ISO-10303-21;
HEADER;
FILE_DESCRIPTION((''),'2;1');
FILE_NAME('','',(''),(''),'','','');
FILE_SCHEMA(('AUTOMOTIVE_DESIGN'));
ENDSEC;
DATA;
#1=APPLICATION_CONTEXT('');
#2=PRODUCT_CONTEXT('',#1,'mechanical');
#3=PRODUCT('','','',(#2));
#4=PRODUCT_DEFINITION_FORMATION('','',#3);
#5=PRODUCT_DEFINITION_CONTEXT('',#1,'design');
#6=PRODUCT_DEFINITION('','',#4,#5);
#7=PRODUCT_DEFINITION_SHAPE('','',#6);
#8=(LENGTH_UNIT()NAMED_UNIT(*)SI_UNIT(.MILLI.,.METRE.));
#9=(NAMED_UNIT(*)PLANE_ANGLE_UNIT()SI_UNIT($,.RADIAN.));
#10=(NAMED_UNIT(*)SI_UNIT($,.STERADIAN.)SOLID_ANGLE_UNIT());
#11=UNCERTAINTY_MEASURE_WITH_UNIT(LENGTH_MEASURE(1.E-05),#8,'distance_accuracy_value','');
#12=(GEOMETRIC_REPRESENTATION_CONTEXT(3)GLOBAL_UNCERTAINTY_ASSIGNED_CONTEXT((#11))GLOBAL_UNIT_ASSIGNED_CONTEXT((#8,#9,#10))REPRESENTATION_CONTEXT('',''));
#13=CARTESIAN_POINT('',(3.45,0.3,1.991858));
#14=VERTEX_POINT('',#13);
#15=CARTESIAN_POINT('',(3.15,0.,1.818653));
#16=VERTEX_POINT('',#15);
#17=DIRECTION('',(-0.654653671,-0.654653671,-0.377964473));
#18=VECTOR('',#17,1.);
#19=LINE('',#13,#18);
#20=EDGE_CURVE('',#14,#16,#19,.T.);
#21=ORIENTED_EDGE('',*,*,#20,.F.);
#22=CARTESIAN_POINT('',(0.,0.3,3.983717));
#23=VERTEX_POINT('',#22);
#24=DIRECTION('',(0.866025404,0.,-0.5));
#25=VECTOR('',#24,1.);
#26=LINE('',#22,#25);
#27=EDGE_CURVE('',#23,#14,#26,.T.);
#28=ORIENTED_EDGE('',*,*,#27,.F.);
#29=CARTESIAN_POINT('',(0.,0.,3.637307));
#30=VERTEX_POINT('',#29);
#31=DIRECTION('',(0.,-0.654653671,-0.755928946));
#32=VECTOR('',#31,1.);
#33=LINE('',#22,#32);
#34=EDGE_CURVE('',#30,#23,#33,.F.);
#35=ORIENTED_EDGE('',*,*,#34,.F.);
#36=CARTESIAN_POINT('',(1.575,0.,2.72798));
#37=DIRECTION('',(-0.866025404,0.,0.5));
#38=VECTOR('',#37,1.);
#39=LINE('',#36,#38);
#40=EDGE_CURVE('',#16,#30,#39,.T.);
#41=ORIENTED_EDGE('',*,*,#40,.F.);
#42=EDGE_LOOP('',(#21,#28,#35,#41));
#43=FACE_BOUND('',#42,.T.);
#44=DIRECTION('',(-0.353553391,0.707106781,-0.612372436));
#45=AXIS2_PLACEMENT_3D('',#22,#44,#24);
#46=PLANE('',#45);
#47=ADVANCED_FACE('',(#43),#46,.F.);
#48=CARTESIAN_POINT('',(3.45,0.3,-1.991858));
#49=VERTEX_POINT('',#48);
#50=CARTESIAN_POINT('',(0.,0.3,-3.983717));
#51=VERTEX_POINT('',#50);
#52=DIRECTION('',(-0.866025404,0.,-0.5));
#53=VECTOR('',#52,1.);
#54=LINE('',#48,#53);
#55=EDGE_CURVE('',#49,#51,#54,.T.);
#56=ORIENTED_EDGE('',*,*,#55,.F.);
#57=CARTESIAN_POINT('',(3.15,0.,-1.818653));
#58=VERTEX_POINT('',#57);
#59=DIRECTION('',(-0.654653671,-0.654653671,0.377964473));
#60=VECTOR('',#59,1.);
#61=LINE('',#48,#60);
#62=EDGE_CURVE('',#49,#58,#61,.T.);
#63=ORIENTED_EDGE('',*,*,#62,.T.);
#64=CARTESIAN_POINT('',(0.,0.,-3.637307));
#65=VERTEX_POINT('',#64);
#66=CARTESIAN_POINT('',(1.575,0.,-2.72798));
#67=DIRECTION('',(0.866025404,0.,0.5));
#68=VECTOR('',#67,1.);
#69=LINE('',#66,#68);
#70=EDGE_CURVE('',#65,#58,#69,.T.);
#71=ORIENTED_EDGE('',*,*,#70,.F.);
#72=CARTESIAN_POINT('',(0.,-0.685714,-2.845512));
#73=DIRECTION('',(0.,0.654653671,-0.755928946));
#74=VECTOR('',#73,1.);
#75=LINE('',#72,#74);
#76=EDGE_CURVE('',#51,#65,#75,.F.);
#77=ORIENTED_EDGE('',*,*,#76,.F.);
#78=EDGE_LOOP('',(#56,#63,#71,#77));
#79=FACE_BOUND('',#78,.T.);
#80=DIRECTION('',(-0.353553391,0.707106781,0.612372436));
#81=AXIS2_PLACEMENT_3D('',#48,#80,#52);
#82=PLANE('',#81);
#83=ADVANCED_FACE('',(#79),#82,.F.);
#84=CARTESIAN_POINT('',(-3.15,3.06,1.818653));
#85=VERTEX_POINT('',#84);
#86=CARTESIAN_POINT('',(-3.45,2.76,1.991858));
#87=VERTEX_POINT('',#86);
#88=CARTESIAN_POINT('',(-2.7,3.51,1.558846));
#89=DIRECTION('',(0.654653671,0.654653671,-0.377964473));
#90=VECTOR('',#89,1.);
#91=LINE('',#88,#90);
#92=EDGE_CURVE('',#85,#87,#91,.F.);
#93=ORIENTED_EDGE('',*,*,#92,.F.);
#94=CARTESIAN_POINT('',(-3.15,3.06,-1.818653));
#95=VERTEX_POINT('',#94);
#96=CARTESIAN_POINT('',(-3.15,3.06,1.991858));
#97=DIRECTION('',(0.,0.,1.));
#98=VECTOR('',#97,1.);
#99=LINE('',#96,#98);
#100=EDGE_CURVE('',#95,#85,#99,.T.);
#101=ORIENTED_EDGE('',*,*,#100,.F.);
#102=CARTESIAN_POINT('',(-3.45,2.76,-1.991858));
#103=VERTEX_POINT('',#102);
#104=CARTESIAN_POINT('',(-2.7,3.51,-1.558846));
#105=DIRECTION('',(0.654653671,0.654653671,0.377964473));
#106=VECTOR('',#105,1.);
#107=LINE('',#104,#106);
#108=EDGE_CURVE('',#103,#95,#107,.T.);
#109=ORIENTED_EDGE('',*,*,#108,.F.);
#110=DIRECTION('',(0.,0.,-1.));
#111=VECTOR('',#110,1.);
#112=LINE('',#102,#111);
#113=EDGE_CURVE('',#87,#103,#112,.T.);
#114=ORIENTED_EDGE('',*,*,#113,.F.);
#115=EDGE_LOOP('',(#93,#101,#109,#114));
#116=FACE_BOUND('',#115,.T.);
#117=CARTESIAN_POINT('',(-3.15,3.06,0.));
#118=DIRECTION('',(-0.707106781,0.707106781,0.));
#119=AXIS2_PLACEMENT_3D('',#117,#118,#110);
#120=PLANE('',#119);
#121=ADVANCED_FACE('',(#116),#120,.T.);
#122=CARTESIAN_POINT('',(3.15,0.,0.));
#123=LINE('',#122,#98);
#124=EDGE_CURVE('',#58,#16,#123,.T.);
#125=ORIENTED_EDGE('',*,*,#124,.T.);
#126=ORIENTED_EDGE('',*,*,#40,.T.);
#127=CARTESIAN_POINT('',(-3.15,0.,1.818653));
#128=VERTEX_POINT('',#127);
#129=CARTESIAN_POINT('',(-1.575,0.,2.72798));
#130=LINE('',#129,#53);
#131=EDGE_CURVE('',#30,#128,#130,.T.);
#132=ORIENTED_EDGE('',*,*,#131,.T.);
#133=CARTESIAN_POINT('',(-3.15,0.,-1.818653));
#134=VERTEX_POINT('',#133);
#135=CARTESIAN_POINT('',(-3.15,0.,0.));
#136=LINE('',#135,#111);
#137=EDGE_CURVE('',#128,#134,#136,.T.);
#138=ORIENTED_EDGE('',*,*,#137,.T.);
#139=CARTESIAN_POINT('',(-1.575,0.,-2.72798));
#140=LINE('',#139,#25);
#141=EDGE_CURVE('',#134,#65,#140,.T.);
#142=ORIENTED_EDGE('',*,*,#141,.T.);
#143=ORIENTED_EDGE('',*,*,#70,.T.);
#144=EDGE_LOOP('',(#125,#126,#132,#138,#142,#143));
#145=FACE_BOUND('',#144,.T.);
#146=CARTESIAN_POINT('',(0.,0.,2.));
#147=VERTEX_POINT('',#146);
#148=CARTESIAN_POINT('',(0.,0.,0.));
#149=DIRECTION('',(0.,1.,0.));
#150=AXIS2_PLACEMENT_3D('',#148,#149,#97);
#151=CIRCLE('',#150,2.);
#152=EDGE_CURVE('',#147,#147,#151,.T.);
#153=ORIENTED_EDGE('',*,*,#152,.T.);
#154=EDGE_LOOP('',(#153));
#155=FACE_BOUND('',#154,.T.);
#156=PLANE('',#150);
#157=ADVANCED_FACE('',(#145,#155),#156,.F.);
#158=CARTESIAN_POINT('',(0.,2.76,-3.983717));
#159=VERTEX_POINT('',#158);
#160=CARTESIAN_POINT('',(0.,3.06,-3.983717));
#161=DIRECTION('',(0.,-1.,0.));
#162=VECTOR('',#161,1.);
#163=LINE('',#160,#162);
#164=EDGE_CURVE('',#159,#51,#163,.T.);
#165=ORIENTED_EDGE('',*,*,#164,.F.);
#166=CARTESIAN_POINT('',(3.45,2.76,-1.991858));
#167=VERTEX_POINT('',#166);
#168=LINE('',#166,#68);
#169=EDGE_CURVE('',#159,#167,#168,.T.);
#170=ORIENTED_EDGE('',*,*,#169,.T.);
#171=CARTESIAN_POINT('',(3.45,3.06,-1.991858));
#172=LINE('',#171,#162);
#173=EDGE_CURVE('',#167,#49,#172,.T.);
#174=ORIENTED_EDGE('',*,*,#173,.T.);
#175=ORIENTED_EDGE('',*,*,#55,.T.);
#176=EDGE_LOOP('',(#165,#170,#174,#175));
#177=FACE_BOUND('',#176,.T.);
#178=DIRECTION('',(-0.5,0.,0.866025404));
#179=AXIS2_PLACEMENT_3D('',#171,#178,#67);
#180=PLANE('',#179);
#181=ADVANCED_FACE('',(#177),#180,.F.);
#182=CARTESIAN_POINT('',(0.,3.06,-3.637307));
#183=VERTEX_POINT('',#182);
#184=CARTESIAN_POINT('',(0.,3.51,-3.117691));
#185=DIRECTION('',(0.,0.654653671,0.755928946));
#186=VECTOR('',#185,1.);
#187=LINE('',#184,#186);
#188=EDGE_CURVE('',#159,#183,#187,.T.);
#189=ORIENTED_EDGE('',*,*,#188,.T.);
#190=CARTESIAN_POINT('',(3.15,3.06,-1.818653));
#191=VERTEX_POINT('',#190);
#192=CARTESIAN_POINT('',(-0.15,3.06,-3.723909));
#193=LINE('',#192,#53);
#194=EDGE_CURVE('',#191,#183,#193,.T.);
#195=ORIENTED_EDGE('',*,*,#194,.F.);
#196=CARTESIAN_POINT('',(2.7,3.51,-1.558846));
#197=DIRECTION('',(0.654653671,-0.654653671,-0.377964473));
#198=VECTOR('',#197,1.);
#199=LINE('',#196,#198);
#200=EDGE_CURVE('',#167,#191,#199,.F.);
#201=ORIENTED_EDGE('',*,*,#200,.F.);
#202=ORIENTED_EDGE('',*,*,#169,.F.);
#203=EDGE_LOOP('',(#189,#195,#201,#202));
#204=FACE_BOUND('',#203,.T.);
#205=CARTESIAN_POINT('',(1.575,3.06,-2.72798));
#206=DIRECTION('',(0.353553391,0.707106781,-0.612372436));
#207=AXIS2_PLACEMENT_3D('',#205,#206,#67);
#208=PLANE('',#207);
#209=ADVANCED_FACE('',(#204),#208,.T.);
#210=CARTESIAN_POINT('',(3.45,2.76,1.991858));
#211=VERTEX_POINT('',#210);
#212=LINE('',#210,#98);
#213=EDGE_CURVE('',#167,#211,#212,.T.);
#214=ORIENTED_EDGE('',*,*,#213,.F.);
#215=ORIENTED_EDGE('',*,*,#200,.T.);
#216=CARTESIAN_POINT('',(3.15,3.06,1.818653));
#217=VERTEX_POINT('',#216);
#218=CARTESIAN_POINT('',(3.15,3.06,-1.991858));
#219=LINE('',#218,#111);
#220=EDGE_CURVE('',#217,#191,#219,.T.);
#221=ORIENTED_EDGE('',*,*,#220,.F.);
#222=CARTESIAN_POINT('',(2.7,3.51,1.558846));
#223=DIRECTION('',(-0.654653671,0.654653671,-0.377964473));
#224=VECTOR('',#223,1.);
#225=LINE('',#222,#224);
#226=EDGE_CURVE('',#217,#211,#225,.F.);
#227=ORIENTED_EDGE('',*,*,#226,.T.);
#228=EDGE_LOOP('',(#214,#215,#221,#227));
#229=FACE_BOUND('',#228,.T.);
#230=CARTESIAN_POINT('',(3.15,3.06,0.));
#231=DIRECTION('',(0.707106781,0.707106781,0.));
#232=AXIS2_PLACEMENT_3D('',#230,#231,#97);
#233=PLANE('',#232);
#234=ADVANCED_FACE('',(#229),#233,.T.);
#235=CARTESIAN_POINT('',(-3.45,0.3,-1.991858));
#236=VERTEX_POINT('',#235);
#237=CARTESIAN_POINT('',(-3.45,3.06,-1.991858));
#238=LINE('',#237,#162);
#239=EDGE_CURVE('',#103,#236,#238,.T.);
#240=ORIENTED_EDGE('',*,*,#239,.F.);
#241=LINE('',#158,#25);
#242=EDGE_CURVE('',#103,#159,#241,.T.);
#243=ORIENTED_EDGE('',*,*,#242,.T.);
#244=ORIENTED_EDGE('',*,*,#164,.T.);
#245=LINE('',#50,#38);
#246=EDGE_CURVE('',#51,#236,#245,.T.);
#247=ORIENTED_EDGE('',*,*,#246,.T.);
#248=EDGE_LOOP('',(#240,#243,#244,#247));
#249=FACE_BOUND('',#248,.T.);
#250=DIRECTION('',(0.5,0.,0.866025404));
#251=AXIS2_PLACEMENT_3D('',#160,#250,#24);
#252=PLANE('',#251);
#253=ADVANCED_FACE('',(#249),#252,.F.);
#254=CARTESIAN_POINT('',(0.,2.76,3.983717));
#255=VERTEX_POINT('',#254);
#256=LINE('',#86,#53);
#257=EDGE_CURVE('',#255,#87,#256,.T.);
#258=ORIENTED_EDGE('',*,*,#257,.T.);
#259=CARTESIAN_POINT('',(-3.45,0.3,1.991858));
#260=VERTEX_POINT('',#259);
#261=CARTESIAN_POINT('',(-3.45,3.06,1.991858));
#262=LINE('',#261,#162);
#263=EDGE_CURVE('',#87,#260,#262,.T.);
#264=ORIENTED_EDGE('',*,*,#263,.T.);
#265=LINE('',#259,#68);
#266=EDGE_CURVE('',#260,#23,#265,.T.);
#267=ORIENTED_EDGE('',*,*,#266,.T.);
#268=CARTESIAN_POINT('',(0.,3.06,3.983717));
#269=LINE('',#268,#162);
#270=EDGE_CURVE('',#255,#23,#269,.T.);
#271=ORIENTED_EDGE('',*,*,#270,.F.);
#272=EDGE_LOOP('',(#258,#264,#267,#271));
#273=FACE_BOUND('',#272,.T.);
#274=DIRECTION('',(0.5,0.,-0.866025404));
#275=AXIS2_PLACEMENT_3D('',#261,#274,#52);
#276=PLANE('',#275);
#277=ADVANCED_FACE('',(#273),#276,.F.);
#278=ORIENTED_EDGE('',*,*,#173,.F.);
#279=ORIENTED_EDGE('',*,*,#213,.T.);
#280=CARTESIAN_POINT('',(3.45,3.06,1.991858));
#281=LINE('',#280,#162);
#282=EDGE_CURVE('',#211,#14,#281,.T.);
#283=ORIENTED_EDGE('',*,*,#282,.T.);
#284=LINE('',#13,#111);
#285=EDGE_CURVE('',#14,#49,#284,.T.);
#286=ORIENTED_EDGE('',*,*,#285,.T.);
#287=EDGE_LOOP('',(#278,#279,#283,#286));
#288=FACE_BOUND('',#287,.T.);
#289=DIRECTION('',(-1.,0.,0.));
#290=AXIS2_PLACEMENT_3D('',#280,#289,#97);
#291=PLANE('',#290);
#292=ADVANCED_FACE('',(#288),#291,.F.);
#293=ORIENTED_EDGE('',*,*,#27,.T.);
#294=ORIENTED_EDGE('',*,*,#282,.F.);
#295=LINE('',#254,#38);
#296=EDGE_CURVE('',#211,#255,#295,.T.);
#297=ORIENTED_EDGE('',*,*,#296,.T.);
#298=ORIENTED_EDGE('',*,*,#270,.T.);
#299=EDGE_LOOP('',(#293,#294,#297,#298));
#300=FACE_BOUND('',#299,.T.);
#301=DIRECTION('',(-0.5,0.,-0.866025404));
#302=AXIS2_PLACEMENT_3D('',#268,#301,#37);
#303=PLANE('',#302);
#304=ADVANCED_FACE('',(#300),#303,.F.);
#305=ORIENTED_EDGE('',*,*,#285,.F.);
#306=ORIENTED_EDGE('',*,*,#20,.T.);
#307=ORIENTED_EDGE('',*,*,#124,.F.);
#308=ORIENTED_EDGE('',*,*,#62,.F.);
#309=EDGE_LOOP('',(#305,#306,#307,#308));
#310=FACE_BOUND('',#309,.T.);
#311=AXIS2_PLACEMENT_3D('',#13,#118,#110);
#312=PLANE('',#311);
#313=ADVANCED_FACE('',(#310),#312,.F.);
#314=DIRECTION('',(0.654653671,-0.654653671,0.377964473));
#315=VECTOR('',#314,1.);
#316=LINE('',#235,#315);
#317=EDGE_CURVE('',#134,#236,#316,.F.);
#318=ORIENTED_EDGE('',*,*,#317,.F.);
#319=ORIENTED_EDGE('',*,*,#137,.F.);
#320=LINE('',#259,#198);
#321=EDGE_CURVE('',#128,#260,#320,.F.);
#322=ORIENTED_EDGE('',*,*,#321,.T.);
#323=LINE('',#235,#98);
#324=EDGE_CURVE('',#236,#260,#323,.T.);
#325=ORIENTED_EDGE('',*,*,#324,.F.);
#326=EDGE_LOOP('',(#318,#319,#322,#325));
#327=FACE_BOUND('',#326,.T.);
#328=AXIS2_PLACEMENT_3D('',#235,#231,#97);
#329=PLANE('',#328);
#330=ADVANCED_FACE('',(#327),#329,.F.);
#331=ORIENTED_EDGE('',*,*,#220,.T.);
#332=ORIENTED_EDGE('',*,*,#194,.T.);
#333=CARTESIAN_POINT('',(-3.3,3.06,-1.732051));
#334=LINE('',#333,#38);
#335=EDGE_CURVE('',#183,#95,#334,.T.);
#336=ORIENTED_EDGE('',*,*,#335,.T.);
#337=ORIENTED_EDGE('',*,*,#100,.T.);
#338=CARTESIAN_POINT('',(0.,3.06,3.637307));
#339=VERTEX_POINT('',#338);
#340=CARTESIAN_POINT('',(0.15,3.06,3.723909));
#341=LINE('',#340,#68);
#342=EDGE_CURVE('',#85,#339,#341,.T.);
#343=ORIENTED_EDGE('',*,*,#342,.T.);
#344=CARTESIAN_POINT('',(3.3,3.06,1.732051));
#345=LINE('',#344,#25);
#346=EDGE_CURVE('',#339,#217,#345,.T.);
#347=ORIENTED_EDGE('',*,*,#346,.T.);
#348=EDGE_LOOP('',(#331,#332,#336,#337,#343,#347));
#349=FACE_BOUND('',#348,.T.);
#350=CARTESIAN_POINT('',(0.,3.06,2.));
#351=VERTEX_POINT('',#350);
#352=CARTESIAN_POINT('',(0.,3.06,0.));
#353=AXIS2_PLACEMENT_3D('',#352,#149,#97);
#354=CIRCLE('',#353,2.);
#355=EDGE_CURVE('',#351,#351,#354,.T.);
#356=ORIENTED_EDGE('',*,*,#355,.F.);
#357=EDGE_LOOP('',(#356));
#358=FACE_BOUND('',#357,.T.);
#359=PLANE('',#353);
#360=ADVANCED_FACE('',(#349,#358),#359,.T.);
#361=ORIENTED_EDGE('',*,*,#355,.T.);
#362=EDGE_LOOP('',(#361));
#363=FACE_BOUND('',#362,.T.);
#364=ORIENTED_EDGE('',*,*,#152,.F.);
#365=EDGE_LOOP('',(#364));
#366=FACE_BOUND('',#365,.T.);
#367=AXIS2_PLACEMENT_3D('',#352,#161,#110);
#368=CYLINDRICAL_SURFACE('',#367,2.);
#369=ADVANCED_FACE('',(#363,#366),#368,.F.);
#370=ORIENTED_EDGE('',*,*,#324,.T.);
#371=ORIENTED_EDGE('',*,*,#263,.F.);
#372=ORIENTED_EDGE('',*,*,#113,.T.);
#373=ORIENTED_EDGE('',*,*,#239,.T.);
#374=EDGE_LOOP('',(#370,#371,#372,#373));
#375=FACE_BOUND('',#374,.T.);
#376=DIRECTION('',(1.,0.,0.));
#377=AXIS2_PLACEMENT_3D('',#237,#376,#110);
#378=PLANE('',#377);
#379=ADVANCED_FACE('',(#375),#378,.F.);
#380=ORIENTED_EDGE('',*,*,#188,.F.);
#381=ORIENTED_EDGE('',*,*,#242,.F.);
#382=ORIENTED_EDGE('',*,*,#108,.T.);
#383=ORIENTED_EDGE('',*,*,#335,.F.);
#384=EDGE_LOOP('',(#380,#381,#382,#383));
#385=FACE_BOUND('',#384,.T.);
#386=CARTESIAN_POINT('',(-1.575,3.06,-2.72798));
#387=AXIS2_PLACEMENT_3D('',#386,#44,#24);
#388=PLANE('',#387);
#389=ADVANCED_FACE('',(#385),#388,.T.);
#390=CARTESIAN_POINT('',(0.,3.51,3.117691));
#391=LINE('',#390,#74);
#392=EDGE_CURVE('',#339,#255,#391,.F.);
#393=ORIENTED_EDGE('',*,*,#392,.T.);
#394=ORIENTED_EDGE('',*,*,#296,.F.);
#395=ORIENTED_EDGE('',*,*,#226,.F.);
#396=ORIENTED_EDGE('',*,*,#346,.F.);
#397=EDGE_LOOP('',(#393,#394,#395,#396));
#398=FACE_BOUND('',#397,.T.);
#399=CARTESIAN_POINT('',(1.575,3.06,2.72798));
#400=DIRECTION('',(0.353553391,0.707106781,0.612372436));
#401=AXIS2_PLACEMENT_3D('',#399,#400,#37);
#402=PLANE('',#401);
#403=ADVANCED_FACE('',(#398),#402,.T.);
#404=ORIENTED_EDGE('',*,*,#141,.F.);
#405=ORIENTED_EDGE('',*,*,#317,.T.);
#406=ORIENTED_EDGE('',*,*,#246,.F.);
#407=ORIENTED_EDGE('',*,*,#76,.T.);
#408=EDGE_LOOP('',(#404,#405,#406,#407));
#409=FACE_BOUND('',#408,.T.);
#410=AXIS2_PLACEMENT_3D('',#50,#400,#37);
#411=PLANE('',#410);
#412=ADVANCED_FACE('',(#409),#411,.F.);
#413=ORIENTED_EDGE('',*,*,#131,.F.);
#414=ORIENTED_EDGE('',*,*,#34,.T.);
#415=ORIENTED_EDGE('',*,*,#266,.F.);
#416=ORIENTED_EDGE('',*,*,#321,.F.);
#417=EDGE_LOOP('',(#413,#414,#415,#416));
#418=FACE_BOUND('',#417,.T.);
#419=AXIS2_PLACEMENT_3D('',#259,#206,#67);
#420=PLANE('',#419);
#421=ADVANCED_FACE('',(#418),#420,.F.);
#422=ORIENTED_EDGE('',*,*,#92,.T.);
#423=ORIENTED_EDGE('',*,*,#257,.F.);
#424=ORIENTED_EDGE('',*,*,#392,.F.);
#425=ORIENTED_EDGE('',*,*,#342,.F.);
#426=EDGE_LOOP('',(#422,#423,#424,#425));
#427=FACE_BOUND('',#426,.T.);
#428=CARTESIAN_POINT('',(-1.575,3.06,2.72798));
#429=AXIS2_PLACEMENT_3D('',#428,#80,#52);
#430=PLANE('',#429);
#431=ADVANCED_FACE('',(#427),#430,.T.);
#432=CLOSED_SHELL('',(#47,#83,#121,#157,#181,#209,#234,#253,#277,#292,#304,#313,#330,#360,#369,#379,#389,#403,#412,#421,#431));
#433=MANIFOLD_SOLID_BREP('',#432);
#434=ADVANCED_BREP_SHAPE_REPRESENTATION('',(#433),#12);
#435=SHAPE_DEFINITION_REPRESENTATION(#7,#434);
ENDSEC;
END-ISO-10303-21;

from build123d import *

# Parameters (mm, degrees)
SKETCH_1_R      = 2
EXTRUDE_1_DEPTH = 3.06
CHAMFER_1_SIZE  = 0.3


with BuildPart() as part:
    # 草图1 → 凸台-拉伸1 (new body)
    with BuildSketch(Plane(origin=(0, 0, 0), x_dir=(1, 0, 0), z_dir=(0, 1, 0))):
        Polygon((0, 3.983716857), (-3.45, 1.991858429), (-3.45, -1.991858429), (0, -3.983716857), (3.45, -1.991858429), (3.45, 1.991858429), align=None)
        with Locations(Location((0, 0, 0), (0, 0, 270))):
            Circle(SKETCH_1_R, mode=Mode.SUBTRACT)
    extrude(amount=EXTRUDE_1_DEPTH)

    # 倒角1
    chamfer_1_edges = [part.edges().sort_by_distance(p)[0] for p in [
        (-3.45, 3.06, 0),
        (-1.725, 3.06, 2.987787643),
        (1.725, 3.06, 2.987787643),
        (3.45, 3.06, 0),
        (1.725, 3.06, -2.987787643),
        (3.45, 0, 0),
        (1.725, 0, 2.987787643),
        (-1.725, 0, 2.987787643),
        (-1.725, 3.06, -2.987787643),
        (-3.45, 0, 0),
        (-1.725, 0, -2.987787643),
        (1.725, 0, -2.987787643),
    ]]
    chamfer(chamfer_1_edges, length=CHAMFER_1_SIZE)


solid = part.part
